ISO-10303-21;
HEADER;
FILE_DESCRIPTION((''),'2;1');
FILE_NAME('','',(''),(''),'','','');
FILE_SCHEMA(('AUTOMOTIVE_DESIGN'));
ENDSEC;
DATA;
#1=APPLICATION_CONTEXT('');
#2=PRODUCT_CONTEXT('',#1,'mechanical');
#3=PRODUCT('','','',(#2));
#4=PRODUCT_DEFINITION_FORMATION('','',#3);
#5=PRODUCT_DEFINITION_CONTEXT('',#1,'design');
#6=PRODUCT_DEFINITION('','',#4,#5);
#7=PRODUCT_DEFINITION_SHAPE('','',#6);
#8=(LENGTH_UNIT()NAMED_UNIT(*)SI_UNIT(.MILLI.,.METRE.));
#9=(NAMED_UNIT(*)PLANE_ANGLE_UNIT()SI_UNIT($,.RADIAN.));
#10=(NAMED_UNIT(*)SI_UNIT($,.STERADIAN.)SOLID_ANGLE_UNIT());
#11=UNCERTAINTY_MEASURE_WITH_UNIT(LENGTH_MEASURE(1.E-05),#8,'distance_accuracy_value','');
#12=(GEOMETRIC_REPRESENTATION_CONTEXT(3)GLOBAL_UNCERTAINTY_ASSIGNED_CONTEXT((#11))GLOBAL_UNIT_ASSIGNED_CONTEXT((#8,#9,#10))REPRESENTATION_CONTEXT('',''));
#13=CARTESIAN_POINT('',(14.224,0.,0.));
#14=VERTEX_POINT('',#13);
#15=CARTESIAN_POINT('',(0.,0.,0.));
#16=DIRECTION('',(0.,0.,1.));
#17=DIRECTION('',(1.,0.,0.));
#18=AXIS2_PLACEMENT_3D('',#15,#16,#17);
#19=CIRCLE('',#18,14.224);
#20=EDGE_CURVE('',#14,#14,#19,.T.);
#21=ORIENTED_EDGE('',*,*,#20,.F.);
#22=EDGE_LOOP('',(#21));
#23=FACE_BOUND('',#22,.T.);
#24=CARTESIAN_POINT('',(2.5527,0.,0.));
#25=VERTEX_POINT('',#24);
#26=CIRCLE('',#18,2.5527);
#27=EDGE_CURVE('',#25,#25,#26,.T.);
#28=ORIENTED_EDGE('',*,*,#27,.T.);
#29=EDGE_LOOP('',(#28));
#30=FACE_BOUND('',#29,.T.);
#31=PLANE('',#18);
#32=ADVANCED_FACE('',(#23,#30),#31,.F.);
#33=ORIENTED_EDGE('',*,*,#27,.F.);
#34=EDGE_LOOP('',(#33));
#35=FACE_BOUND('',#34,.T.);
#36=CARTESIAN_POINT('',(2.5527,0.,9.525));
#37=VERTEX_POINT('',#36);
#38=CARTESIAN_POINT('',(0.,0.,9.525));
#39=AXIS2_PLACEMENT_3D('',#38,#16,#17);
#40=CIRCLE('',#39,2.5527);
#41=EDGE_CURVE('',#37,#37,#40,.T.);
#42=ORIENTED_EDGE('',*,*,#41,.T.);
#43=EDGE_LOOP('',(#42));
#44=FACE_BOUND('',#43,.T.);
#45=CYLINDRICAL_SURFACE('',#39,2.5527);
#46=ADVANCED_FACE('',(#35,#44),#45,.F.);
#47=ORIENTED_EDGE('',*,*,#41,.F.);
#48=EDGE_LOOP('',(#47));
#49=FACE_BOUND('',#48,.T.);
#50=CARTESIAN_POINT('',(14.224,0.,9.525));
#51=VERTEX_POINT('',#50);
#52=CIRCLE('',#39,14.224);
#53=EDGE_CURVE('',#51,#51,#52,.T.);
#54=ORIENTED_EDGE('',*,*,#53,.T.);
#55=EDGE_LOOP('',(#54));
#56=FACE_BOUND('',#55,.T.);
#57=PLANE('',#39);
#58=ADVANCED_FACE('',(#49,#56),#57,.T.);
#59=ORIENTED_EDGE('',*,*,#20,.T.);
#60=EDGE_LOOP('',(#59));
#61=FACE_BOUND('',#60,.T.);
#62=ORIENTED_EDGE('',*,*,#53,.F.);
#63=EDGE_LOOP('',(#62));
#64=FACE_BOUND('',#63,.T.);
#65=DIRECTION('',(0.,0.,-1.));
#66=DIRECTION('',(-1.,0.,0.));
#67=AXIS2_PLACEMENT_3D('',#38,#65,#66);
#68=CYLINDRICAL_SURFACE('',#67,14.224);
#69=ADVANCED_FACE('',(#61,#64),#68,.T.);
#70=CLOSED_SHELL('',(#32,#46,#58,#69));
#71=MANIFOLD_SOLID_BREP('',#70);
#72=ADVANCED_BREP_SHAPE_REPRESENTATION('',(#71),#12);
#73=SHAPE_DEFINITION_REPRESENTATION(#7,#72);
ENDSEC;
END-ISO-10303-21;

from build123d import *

# Parameters (mm, degrees)
SKETCH1_R              = 14.224
BOSS_EXTRUDE1_DEPTH    = 9.525
F_10_CLEARANCE_HOLE1_D = 5.1054


with BuildPart() as part:
    # Sketch1 → Boss-Extrude1 (new body)
    with BuildSketch(Plane.XY):
        Circle(SKETCH1_R)
    extrude(amount=BOSS_EXTRUDE1_DEPTH)

    # #10 Clearance Hole1 (through all)
    with Locations(Plane.XY.offset(9.525)):
        with Locations((0, 0)):
            Hole(F_10_CLEARANCE_HOLE1_D / 2)


solid = part.part
